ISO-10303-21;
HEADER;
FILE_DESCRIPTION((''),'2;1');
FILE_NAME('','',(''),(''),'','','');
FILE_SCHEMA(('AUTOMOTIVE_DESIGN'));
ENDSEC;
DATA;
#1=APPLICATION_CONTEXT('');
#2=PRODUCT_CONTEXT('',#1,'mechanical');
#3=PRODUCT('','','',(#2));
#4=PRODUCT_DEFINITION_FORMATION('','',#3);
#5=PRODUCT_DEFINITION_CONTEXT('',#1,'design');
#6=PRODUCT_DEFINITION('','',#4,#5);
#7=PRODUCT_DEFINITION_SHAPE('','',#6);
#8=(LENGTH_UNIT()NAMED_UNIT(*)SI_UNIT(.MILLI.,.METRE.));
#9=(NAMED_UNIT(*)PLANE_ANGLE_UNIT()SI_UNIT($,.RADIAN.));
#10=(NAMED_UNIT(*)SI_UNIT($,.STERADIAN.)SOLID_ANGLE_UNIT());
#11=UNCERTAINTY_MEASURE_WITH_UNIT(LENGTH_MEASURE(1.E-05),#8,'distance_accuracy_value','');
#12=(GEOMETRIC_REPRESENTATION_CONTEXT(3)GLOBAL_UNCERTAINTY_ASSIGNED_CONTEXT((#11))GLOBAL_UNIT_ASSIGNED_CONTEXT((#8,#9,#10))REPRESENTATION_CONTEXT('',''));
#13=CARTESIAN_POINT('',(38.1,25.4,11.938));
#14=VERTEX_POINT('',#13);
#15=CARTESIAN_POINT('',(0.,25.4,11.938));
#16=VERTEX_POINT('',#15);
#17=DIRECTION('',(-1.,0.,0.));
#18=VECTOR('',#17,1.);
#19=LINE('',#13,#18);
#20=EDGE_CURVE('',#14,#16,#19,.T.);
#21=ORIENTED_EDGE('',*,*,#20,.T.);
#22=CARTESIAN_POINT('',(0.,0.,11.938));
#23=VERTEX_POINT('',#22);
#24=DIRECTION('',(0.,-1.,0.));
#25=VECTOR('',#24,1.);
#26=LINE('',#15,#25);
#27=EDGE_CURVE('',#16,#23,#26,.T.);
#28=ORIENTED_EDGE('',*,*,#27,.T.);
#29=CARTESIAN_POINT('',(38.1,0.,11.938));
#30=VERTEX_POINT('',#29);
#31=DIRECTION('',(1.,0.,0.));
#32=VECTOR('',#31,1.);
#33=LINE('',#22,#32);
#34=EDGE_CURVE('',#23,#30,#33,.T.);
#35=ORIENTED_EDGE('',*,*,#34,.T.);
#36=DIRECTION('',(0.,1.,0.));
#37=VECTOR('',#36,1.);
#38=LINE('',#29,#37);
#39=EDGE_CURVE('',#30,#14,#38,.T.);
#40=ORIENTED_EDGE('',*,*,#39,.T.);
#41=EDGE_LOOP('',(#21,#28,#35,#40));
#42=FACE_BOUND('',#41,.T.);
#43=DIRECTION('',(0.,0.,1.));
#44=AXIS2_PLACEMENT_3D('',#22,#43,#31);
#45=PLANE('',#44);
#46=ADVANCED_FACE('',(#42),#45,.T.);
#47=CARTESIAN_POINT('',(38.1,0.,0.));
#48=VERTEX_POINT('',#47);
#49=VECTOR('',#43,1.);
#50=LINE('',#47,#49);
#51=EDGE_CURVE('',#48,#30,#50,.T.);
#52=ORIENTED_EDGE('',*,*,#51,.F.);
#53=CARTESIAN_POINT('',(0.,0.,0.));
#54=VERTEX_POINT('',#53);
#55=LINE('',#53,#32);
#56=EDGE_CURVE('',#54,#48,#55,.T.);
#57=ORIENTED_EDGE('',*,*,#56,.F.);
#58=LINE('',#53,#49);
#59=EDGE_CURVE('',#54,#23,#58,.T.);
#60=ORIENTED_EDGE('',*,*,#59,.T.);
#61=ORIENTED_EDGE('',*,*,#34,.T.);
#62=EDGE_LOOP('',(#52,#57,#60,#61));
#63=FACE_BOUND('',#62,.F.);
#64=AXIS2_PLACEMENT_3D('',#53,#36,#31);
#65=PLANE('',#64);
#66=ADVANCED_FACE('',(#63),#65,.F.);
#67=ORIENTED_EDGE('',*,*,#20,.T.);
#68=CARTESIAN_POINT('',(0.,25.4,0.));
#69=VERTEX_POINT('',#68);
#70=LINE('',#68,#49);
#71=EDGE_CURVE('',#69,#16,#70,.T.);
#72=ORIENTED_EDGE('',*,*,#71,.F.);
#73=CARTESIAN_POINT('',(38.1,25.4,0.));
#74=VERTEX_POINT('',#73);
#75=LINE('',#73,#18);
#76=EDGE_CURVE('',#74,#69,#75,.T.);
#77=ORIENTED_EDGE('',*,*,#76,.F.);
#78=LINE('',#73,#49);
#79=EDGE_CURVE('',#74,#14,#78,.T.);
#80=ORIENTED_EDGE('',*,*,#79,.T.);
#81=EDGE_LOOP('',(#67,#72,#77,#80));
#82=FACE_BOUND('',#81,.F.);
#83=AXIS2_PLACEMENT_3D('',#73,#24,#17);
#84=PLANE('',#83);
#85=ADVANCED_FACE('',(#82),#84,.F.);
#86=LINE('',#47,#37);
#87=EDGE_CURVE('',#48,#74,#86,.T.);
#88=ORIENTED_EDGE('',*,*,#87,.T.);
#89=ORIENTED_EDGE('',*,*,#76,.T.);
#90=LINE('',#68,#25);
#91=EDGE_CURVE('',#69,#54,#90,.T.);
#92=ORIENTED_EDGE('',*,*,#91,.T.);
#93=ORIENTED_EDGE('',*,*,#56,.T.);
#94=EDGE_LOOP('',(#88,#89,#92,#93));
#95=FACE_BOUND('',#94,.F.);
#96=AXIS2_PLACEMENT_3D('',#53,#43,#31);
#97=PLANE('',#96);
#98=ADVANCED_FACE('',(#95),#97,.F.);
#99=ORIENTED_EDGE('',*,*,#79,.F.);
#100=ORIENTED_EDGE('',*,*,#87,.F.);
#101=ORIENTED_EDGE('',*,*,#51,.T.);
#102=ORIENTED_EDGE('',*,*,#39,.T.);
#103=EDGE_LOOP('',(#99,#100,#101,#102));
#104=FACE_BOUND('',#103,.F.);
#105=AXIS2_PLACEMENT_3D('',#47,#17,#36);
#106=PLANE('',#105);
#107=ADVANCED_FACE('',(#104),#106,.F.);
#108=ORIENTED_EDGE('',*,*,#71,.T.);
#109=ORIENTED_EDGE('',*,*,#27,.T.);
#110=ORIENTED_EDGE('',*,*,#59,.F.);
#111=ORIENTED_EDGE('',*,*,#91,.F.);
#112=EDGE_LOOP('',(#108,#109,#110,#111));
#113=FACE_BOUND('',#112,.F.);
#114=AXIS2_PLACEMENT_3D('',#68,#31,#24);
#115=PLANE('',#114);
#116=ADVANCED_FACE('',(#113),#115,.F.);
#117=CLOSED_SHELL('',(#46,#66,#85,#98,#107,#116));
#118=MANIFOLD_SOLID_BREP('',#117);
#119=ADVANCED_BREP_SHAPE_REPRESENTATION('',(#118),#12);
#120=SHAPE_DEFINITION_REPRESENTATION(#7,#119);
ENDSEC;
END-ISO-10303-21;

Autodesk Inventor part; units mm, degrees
ref_plane "YZ Plane" through (0, 0, 0) normal (1, 0, 0) x (0, 1, 0)
ref_plane "XZ Plane" through (0, 0, 0) normal (0, 1, 0) x (-1, 0, 0)
ref_plane "XY Plane" through (0, 0, 0) normal (0, 0, 1) x (1, 0, 0)
sketch "Sketch1" plane through (0, 0, 0) normal (0, 0, 1) x (1, 0, 0)
  line L0 (0, 0) -> (38.1, 0)
  line L1 (38.1, 0) -> (38.1, 25.4)
  line L2 (38.1, 25.4) -> (0, 25.4)
  line L3 (0, 25.4) -> (0, 0)
  dimension "d0" = 38.1
  dimension "d2" = 25.4
extrude "Extrusion1" add sketch "Sketch1" along normal blind 11.938
properties part number "Rx" material "Polycarbonate, Smoke"
